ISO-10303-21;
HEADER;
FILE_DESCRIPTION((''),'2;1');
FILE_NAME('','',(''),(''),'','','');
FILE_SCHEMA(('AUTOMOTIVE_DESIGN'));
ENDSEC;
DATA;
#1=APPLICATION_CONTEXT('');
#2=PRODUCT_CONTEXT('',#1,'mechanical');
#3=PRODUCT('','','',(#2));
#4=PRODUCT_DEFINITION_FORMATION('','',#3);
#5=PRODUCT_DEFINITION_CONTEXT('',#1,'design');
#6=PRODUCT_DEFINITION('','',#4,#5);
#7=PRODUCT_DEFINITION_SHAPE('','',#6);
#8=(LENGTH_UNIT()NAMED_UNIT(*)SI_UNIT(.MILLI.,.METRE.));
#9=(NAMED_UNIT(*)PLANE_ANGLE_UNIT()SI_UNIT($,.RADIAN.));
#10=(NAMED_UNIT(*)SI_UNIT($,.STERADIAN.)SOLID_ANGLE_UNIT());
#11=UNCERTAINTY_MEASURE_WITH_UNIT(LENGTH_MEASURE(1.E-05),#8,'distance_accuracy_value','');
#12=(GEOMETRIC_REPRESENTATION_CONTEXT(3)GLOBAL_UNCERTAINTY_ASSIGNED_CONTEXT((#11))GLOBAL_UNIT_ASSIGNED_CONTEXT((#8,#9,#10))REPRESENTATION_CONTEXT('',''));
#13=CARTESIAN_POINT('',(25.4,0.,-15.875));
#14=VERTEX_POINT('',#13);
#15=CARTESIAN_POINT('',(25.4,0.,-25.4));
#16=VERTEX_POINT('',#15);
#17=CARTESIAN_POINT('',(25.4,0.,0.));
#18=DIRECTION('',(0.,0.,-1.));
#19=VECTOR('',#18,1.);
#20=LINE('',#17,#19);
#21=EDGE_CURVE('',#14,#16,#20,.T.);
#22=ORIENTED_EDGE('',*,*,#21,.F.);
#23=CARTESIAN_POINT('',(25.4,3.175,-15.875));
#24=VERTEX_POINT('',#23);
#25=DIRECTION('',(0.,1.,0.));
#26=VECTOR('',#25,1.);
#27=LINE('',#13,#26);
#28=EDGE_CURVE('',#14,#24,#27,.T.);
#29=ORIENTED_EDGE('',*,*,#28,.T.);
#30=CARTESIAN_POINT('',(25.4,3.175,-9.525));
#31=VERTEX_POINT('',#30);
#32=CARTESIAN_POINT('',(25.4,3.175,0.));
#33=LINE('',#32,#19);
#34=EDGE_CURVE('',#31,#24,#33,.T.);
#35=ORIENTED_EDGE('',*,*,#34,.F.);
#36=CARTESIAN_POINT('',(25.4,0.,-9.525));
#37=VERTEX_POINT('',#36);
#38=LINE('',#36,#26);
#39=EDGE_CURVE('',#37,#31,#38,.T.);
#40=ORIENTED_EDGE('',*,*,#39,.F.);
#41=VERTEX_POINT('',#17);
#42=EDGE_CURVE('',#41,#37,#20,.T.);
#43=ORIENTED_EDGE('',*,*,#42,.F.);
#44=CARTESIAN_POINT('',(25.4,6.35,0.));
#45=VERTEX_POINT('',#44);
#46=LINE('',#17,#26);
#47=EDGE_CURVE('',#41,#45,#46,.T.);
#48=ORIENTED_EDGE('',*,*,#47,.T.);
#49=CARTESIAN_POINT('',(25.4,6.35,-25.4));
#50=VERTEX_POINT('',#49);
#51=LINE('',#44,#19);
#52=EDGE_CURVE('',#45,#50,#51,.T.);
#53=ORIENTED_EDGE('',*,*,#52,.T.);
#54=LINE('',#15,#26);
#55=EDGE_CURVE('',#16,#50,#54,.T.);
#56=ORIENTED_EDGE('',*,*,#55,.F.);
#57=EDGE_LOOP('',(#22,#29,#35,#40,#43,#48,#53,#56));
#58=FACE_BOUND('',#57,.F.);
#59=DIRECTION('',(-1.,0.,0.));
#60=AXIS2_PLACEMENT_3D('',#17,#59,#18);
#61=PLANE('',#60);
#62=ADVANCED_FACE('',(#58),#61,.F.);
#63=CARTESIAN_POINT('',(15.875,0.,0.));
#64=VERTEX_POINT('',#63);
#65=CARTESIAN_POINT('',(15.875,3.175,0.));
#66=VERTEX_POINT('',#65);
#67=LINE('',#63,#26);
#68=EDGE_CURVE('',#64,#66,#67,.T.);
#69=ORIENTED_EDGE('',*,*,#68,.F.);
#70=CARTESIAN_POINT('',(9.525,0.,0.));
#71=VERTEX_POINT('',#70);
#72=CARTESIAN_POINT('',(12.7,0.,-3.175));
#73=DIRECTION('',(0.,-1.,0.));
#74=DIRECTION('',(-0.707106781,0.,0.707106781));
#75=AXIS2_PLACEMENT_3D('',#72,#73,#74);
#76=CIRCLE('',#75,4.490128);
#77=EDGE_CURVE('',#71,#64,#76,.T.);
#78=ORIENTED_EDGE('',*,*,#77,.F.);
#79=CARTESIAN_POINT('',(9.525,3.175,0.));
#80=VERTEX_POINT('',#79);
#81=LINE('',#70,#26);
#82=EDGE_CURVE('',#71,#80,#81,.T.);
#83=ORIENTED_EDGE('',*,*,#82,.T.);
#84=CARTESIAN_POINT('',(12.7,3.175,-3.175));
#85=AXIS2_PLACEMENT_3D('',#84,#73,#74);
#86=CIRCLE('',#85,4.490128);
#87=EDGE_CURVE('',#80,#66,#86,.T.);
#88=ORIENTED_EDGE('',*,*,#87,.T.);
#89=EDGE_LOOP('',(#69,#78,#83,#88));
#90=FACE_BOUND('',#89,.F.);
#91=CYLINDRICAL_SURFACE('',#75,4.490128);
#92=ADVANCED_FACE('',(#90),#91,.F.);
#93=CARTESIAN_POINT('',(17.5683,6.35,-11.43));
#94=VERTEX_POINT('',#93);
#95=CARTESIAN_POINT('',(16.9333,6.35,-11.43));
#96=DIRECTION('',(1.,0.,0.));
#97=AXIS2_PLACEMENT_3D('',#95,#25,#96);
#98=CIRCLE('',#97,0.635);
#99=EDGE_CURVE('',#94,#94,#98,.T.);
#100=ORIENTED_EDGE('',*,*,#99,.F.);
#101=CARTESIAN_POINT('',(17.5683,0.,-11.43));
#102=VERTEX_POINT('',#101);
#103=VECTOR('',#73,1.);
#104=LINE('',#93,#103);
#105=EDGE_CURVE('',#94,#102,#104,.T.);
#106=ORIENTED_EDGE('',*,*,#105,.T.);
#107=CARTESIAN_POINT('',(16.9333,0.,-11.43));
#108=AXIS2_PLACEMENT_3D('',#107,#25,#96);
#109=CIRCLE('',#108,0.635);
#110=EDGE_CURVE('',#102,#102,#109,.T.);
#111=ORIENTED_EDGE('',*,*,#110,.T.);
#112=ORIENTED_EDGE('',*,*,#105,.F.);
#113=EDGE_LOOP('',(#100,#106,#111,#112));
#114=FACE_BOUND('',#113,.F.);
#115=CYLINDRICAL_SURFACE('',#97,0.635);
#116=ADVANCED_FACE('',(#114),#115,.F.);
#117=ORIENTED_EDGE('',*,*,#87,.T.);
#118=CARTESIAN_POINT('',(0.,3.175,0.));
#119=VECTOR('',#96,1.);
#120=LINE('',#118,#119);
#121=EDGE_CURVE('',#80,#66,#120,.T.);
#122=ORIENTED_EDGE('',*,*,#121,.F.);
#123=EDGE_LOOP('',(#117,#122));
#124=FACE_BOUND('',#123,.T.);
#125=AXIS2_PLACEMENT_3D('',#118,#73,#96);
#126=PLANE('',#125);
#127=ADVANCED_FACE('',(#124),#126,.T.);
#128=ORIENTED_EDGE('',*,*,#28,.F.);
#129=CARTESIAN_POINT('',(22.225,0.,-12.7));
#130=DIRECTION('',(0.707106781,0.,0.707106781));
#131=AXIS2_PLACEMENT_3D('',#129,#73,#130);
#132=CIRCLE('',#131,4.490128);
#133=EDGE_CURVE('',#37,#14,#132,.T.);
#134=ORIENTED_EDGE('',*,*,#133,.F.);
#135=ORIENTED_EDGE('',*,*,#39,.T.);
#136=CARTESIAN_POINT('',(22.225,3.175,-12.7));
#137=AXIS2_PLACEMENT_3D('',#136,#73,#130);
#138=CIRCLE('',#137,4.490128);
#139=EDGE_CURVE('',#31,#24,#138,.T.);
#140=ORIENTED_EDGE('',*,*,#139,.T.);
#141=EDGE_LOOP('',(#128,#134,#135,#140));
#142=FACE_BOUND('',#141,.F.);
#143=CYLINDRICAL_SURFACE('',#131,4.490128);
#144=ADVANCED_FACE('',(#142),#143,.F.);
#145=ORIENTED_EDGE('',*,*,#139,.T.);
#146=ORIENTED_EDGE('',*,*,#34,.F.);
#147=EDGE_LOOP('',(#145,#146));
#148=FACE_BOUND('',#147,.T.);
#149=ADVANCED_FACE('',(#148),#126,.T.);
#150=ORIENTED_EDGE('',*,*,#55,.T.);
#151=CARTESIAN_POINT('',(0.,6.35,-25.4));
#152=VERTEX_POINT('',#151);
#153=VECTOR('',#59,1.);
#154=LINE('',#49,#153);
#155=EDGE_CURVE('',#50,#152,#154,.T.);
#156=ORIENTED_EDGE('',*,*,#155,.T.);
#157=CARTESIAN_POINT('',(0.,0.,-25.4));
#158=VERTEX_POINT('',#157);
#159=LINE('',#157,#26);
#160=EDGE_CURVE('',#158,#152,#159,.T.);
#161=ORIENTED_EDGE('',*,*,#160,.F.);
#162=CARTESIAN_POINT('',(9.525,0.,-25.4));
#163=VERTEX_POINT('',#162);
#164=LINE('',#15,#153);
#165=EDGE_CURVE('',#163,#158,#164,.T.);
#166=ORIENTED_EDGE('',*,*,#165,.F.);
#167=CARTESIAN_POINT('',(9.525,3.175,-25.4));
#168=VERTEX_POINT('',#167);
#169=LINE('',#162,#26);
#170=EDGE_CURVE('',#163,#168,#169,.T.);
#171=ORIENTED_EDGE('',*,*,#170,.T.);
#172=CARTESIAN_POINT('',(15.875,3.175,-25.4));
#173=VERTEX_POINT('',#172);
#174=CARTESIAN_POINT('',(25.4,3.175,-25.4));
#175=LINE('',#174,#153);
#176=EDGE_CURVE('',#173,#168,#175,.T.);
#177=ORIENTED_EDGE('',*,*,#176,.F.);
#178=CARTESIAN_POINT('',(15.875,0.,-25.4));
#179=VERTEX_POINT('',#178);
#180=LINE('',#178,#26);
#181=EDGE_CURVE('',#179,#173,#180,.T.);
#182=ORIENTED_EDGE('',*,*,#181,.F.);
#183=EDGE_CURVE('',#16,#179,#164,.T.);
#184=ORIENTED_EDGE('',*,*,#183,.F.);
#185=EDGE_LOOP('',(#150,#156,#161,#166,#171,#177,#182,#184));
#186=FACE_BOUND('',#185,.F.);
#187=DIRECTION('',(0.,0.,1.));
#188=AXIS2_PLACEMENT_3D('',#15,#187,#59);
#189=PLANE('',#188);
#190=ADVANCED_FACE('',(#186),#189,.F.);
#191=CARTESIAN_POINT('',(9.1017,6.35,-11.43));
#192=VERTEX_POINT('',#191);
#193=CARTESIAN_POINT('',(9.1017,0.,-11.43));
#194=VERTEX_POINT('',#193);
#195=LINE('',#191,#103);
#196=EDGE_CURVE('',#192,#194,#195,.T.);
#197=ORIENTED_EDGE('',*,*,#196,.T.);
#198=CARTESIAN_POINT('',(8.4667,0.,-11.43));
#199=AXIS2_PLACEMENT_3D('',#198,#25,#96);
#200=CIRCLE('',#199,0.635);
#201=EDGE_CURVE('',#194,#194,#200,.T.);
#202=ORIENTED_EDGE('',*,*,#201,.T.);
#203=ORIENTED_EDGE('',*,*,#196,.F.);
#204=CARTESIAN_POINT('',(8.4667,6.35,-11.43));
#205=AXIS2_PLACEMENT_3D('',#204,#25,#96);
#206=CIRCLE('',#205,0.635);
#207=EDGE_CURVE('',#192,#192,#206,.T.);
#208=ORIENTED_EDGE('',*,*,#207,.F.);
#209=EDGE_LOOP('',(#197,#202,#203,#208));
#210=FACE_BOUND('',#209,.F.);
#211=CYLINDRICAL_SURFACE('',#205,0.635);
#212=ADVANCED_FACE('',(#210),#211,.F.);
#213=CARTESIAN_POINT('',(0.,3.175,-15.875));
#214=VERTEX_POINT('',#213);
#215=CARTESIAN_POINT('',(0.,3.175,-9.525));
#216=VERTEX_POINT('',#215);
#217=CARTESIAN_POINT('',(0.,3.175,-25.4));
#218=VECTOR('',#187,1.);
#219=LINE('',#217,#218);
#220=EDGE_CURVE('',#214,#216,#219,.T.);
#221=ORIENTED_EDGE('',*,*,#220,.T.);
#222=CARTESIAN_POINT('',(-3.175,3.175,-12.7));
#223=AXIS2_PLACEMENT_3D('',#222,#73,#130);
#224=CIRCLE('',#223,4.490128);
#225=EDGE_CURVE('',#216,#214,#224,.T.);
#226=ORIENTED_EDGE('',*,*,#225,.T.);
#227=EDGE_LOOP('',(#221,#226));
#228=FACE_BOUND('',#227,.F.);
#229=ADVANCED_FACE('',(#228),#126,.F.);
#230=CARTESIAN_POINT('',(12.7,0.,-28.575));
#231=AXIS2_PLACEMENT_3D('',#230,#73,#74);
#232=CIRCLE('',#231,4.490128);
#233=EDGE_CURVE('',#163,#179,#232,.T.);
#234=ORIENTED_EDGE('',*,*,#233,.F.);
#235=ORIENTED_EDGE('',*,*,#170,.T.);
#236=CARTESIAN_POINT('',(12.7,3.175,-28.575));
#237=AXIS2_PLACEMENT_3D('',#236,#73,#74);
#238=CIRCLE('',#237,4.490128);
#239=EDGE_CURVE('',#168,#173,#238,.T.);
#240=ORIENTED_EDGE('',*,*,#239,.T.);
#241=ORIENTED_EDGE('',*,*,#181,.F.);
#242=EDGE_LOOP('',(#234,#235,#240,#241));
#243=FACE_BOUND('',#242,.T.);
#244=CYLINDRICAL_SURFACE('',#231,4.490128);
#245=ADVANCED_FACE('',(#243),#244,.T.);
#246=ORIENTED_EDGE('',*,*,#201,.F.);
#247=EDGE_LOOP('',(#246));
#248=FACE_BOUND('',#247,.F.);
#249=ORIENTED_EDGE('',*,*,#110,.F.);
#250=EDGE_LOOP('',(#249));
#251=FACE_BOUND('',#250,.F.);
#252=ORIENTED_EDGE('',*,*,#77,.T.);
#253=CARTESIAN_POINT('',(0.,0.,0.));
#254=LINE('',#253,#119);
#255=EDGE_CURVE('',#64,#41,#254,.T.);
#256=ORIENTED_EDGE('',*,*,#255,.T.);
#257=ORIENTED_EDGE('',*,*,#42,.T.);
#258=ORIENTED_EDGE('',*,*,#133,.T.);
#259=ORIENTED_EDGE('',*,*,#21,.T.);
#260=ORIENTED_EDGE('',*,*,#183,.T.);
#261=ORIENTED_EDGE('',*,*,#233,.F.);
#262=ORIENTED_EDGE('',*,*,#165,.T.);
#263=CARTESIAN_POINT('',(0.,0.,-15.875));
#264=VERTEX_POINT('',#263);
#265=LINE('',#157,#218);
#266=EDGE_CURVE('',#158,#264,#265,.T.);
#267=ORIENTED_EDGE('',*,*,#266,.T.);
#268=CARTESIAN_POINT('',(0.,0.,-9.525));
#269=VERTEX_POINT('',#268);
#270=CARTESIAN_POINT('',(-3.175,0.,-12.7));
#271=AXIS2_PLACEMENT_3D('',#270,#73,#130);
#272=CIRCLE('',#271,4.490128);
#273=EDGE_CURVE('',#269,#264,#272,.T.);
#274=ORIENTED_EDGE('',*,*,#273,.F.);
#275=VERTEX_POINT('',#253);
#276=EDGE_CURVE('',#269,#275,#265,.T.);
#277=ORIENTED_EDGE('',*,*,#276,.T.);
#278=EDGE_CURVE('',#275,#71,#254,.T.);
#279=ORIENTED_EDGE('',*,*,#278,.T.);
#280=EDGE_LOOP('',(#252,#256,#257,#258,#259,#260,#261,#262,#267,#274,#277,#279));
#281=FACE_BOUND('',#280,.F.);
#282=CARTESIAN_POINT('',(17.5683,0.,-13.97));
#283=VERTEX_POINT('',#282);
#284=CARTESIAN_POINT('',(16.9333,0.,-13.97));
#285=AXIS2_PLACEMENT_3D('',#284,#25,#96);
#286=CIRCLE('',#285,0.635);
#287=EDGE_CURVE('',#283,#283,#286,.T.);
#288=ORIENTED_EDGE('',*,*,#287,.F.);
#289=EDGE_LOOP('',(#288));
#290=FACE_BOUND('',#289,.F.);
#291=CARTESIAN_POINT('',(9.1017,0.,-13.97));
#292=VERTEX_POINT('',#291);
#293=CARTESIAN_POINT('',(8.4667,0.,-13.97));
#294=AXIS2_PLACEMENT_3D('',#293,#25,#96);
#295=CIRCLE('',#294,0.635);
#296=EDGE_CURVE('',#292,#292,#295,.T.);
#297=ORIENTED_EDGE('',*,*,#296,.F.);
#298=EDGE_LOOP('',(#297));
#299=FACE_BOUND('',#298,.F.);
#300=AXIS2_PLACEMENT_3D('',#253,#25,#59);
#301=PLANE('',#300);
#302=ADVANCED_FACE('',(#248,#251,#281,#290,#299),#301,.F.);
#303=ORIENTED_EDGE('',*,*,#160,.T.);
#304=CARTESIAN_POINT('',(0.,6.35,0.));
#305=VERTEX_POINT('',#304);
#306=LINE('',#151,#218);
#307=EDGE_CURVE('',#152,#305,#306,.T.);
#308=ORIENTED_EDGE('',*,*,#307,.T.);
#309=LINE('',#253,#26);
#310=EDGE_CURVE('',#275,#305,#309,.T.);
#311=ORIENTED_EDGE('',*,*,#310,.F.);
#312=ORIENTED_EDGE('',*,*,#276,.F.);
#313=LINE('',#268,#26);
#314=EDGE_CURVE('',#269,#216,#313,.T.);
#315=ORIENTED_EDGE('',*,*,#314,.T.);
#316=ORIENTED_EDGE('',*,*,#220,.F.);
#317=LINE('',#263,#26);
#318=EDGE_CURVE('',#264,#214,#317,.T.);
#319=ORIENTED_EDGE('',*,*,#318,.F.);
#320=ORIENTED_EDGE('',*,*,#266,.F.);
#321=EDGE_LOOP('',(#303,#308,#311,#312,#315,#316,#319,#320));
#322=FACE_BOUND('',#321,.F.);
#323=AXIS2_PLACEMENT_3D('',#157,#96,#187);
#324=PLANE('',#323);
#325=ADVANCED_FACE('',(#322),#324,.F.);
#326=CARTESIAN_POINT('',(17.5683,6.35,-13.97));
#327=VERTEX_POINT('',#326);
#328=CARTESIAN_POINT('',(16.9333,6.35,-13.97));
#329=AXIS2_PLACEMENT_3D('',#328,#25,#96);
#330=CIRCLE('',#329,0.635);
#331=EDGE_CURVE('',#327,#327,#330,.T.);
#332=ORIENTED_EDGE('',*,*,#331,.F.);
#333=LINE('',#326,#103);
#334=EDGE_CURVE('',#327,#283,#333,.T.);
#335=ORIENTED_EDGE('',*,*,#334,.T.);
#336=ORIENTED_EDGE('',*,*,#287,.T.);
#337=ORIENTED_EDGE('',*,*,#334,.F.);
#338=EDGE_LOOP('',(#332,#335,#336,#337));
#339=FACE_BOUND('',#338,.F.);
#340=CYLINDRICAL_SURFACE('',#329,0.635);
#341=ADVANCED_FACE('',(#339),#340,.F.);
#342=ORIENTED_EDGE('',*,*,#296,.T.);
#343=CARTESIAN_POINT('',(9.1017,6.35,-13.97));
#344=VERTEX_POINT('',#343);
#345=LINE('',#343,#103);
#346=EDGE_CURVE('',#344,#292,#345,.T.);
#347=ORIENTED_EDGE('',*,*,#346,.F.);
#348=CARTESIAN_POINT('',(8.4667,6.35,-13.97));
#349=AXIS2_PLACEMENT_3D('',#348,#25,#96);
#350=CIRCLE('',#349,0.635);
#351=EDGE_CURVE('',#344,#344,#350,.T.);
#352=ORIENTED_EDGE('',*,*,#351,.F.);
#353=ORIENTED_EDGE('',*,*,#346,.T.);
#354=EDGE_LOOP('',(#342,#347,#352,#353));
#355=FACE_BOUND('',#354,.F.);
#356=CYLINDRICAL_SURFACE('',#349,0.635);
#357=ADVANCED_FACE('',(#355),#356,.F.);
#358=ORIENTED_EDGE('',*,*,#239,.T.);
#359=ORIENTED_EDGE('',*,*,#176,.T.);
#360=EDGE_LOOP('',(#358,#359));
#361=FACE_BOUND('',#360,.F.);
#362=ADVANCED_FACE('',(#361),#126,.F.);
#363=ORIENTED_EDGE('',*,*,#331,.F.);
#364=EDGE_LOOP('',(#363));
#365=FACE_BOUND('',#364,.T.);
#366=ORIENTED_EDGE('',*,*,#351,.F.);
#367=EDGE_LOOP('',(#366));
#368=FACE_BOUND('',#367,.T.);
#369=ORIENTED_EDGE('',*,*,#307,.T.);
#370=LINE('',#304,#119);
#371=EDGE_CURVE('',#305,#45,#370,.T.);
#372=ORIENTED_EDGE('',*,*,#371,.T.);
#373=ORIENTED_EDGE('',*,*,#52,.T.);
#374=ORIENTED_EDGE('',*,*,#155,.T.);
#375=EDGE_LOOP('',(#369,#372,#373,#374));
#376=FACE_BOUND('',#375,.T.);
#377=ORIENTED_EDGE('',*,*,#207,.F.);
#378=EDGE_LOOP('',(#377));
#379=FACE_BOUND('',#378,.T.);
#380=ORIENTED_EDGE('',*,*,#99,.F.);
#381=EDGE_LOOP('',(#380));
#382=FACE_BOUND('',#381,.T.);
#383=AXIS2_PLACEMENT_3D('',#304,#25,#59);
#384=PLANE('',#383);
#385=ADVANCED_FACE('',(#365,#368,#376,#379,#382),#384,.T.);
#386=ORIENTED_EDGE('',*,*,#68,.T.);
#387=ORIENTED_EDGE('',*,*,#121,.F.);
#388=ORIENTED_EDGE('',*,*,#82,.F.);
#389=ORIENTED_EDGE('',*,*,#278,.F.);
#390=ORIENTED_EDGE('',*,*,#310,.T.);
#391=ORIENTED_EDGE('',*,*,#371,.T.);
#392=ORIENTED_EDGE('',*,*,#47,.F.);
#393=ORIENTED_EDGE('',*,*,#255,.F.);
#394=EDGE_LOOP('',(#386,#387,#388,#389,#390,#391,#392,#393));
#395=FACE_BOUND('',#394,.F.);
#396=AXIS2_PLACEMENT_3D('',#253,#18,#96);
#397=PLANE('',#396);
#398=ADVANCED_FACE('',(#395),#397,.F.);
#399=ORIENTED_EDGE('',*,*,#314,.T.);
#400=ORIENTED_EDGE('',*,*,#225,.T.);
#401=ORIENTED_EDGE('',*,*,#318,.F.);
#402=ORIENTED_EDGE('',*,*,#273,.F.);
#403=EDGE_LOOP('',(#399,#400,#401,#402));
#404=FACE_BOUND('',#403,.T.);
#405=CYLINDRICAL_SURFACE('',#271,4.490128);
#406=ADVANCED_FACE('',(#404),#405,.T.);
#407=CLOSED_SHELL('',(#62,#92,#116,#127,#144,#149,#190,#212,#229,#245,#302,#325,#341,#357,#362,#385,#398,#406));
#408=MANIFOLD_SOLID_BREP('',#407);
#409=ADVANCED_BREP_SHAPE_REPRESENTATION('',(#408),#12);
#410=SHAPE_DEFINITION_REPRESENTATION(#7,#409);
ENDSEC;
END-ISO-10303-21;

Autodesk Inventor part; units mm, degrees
ref_plane "YZ Plane" through (0, 0, 0) normal (1, 0, 0) x (0, 1, 0)
ref_plane "XZ Plane" through (0, 0, 0) normal (0, 1, 0) x (-1, 0, 0)
ref_plane "XY Plane" through (0, 0, 0) normal (0, 0, 1) x (1, 0, 0)
sketch "Sketch1" plane through (0, 0, 0) normal (0, 1, 0) x (-1, 0, 0)
  line L0 (0, 0) -> (-25.4, 0)
  line L1 (-25.4, 0) -> (-25.4, -25.4)
  line L2 (-25.4, -25.4) -> (0, -25.4)
  line L3 (0, -25.4) -> (0, 0)
  dimension "d0" = 25.4
extrude "Extrusion1" add sketch "Sketch1" along normal blind 6.35
sketch "Sketch2" plane through (0, 6.35, 0) normal (0, 1, 0) x (1, 0, 0)
  circle A0 centre (8.4667, 13.97) radius 0.635
  circle A1 centre (16.9333, 13.97) radius 0.635
  circle A2 centre (16.9333, 11.43) radius 0.635
  circle A3 centre (8.4667, 11.43) radius 0.635
  line L0 (25.4, 0) -> (25.4, 25.4) projected
  line L1 (0, 0) -> (25.4, 0) projected
  dimension "d3" = 8.4667
  dimension "d4" = 8.4667
  dimension "d5" = 2.54
  dimension "d6" = 1.27
  dimension "d7" = 11.43
extrude "Extrusion2" cut sketch "Sketch2" against normal blind 6.35
sketch "Sketch4" plane through (0, 0, 0) normal (0, -1, 0) x (1, 0, 0)
  line L0 (25.4, -25.4) -> (0, -25.4) projected
  arc A0 (9.525, -25.4) -> (15.875, -25.4) centre (12.7, -28.575) ccw
  line L1 (15.875, -25.4) -> (9.525, -25.4)
  point P0 (0, 0)
  dimension "d10" = 90
  dimension "d11" = 6.35
  dimension "d12" = 9.525
extrude "Extrusion3" add sketch "Sketch4" against normal blind 3.175
sketch "Sketch6" plane through (0, 0, 0) normal (0, -1, 0) x (1, 0, 0)
  line L0 (25.4, 0) -> (25.4, -25.4) projected
  arc A0 (25.4, -9.525) -> (25.4, -15.875) centre (22.225, -12.7) ccw
  line L1 (25.4, -15.875) -> (25.4, -9.525)
  point P0 (0, 0)
  dimension "d21" = 6.35
  dimension "d22" = 90
  dimension "d23" = 9.525
extrude "Extrusion5" cut sketch "Sketch6" against normal blind 3.175
sketch "Sketch7" plane through (0, 0, 0) normal (0, -1, 0) x (1, 0, 0)
  line L0 (0, -25.4) -> (0, 0) projected
  arc A0 (0, -9.525) -> (0, -15.875) centre (-3.175, -12.7) ccw
  line L1 (0, -15.875) -> (0, -9.525)
  dimension "d26" = 6.35
  dimension "d27" = 90
  dimension "d28" = 9.525
extrude "Extrusion6" add sketch "Sketch7" against normal blind 3.175
sketch "Sketch8" plane through (0, 0, 0) normal (0, -1, 0) x (1, 0, 0)
  line L0 (0, 0) -> (25.4, 0) projected
  arc A0 (9.525, 0) -> (15.875, 0) centre (12.7, -3.175) ccw
  line L1 (15.875, 0) -> (9.525, 0)
  dimension "d31" = 90
  dimension "d32" = 6.35
  dimension "d33" = 9.525
extrude "Extrusion7" cut sketch "Sketch8" against normal blind 3.175
equation "\"d1\" = 0.25 * d0"
equation "\"d3\" = 0.333333 * d0"
equation "\"d4\" = d3"
equation "\"d8\" = 0.25 * d0"
equation "\"d11\" = 0.25 * d0"
equation "\"d12\" = 0.375 * d0"
equation "\"d13\" = 0.5 * d1"
equation "\"d21\" = 0.25 * d0"
equation "\"d23\" = 0.375 * d0"
equation "\"d24\" = 0.5 * d1"
equation "\"d26\" = 0.25 * d0"
equation "\"d28\" = 0.375 * d0"
equation "\"d29\" = 0.5 * d1"
equation "\"d32\" = 0.25 * d0"
equation "\"d33\" = 0.375 * d0"
equation "\"d34\" = 0.5 * d1"
properties part number "pieceBase"
